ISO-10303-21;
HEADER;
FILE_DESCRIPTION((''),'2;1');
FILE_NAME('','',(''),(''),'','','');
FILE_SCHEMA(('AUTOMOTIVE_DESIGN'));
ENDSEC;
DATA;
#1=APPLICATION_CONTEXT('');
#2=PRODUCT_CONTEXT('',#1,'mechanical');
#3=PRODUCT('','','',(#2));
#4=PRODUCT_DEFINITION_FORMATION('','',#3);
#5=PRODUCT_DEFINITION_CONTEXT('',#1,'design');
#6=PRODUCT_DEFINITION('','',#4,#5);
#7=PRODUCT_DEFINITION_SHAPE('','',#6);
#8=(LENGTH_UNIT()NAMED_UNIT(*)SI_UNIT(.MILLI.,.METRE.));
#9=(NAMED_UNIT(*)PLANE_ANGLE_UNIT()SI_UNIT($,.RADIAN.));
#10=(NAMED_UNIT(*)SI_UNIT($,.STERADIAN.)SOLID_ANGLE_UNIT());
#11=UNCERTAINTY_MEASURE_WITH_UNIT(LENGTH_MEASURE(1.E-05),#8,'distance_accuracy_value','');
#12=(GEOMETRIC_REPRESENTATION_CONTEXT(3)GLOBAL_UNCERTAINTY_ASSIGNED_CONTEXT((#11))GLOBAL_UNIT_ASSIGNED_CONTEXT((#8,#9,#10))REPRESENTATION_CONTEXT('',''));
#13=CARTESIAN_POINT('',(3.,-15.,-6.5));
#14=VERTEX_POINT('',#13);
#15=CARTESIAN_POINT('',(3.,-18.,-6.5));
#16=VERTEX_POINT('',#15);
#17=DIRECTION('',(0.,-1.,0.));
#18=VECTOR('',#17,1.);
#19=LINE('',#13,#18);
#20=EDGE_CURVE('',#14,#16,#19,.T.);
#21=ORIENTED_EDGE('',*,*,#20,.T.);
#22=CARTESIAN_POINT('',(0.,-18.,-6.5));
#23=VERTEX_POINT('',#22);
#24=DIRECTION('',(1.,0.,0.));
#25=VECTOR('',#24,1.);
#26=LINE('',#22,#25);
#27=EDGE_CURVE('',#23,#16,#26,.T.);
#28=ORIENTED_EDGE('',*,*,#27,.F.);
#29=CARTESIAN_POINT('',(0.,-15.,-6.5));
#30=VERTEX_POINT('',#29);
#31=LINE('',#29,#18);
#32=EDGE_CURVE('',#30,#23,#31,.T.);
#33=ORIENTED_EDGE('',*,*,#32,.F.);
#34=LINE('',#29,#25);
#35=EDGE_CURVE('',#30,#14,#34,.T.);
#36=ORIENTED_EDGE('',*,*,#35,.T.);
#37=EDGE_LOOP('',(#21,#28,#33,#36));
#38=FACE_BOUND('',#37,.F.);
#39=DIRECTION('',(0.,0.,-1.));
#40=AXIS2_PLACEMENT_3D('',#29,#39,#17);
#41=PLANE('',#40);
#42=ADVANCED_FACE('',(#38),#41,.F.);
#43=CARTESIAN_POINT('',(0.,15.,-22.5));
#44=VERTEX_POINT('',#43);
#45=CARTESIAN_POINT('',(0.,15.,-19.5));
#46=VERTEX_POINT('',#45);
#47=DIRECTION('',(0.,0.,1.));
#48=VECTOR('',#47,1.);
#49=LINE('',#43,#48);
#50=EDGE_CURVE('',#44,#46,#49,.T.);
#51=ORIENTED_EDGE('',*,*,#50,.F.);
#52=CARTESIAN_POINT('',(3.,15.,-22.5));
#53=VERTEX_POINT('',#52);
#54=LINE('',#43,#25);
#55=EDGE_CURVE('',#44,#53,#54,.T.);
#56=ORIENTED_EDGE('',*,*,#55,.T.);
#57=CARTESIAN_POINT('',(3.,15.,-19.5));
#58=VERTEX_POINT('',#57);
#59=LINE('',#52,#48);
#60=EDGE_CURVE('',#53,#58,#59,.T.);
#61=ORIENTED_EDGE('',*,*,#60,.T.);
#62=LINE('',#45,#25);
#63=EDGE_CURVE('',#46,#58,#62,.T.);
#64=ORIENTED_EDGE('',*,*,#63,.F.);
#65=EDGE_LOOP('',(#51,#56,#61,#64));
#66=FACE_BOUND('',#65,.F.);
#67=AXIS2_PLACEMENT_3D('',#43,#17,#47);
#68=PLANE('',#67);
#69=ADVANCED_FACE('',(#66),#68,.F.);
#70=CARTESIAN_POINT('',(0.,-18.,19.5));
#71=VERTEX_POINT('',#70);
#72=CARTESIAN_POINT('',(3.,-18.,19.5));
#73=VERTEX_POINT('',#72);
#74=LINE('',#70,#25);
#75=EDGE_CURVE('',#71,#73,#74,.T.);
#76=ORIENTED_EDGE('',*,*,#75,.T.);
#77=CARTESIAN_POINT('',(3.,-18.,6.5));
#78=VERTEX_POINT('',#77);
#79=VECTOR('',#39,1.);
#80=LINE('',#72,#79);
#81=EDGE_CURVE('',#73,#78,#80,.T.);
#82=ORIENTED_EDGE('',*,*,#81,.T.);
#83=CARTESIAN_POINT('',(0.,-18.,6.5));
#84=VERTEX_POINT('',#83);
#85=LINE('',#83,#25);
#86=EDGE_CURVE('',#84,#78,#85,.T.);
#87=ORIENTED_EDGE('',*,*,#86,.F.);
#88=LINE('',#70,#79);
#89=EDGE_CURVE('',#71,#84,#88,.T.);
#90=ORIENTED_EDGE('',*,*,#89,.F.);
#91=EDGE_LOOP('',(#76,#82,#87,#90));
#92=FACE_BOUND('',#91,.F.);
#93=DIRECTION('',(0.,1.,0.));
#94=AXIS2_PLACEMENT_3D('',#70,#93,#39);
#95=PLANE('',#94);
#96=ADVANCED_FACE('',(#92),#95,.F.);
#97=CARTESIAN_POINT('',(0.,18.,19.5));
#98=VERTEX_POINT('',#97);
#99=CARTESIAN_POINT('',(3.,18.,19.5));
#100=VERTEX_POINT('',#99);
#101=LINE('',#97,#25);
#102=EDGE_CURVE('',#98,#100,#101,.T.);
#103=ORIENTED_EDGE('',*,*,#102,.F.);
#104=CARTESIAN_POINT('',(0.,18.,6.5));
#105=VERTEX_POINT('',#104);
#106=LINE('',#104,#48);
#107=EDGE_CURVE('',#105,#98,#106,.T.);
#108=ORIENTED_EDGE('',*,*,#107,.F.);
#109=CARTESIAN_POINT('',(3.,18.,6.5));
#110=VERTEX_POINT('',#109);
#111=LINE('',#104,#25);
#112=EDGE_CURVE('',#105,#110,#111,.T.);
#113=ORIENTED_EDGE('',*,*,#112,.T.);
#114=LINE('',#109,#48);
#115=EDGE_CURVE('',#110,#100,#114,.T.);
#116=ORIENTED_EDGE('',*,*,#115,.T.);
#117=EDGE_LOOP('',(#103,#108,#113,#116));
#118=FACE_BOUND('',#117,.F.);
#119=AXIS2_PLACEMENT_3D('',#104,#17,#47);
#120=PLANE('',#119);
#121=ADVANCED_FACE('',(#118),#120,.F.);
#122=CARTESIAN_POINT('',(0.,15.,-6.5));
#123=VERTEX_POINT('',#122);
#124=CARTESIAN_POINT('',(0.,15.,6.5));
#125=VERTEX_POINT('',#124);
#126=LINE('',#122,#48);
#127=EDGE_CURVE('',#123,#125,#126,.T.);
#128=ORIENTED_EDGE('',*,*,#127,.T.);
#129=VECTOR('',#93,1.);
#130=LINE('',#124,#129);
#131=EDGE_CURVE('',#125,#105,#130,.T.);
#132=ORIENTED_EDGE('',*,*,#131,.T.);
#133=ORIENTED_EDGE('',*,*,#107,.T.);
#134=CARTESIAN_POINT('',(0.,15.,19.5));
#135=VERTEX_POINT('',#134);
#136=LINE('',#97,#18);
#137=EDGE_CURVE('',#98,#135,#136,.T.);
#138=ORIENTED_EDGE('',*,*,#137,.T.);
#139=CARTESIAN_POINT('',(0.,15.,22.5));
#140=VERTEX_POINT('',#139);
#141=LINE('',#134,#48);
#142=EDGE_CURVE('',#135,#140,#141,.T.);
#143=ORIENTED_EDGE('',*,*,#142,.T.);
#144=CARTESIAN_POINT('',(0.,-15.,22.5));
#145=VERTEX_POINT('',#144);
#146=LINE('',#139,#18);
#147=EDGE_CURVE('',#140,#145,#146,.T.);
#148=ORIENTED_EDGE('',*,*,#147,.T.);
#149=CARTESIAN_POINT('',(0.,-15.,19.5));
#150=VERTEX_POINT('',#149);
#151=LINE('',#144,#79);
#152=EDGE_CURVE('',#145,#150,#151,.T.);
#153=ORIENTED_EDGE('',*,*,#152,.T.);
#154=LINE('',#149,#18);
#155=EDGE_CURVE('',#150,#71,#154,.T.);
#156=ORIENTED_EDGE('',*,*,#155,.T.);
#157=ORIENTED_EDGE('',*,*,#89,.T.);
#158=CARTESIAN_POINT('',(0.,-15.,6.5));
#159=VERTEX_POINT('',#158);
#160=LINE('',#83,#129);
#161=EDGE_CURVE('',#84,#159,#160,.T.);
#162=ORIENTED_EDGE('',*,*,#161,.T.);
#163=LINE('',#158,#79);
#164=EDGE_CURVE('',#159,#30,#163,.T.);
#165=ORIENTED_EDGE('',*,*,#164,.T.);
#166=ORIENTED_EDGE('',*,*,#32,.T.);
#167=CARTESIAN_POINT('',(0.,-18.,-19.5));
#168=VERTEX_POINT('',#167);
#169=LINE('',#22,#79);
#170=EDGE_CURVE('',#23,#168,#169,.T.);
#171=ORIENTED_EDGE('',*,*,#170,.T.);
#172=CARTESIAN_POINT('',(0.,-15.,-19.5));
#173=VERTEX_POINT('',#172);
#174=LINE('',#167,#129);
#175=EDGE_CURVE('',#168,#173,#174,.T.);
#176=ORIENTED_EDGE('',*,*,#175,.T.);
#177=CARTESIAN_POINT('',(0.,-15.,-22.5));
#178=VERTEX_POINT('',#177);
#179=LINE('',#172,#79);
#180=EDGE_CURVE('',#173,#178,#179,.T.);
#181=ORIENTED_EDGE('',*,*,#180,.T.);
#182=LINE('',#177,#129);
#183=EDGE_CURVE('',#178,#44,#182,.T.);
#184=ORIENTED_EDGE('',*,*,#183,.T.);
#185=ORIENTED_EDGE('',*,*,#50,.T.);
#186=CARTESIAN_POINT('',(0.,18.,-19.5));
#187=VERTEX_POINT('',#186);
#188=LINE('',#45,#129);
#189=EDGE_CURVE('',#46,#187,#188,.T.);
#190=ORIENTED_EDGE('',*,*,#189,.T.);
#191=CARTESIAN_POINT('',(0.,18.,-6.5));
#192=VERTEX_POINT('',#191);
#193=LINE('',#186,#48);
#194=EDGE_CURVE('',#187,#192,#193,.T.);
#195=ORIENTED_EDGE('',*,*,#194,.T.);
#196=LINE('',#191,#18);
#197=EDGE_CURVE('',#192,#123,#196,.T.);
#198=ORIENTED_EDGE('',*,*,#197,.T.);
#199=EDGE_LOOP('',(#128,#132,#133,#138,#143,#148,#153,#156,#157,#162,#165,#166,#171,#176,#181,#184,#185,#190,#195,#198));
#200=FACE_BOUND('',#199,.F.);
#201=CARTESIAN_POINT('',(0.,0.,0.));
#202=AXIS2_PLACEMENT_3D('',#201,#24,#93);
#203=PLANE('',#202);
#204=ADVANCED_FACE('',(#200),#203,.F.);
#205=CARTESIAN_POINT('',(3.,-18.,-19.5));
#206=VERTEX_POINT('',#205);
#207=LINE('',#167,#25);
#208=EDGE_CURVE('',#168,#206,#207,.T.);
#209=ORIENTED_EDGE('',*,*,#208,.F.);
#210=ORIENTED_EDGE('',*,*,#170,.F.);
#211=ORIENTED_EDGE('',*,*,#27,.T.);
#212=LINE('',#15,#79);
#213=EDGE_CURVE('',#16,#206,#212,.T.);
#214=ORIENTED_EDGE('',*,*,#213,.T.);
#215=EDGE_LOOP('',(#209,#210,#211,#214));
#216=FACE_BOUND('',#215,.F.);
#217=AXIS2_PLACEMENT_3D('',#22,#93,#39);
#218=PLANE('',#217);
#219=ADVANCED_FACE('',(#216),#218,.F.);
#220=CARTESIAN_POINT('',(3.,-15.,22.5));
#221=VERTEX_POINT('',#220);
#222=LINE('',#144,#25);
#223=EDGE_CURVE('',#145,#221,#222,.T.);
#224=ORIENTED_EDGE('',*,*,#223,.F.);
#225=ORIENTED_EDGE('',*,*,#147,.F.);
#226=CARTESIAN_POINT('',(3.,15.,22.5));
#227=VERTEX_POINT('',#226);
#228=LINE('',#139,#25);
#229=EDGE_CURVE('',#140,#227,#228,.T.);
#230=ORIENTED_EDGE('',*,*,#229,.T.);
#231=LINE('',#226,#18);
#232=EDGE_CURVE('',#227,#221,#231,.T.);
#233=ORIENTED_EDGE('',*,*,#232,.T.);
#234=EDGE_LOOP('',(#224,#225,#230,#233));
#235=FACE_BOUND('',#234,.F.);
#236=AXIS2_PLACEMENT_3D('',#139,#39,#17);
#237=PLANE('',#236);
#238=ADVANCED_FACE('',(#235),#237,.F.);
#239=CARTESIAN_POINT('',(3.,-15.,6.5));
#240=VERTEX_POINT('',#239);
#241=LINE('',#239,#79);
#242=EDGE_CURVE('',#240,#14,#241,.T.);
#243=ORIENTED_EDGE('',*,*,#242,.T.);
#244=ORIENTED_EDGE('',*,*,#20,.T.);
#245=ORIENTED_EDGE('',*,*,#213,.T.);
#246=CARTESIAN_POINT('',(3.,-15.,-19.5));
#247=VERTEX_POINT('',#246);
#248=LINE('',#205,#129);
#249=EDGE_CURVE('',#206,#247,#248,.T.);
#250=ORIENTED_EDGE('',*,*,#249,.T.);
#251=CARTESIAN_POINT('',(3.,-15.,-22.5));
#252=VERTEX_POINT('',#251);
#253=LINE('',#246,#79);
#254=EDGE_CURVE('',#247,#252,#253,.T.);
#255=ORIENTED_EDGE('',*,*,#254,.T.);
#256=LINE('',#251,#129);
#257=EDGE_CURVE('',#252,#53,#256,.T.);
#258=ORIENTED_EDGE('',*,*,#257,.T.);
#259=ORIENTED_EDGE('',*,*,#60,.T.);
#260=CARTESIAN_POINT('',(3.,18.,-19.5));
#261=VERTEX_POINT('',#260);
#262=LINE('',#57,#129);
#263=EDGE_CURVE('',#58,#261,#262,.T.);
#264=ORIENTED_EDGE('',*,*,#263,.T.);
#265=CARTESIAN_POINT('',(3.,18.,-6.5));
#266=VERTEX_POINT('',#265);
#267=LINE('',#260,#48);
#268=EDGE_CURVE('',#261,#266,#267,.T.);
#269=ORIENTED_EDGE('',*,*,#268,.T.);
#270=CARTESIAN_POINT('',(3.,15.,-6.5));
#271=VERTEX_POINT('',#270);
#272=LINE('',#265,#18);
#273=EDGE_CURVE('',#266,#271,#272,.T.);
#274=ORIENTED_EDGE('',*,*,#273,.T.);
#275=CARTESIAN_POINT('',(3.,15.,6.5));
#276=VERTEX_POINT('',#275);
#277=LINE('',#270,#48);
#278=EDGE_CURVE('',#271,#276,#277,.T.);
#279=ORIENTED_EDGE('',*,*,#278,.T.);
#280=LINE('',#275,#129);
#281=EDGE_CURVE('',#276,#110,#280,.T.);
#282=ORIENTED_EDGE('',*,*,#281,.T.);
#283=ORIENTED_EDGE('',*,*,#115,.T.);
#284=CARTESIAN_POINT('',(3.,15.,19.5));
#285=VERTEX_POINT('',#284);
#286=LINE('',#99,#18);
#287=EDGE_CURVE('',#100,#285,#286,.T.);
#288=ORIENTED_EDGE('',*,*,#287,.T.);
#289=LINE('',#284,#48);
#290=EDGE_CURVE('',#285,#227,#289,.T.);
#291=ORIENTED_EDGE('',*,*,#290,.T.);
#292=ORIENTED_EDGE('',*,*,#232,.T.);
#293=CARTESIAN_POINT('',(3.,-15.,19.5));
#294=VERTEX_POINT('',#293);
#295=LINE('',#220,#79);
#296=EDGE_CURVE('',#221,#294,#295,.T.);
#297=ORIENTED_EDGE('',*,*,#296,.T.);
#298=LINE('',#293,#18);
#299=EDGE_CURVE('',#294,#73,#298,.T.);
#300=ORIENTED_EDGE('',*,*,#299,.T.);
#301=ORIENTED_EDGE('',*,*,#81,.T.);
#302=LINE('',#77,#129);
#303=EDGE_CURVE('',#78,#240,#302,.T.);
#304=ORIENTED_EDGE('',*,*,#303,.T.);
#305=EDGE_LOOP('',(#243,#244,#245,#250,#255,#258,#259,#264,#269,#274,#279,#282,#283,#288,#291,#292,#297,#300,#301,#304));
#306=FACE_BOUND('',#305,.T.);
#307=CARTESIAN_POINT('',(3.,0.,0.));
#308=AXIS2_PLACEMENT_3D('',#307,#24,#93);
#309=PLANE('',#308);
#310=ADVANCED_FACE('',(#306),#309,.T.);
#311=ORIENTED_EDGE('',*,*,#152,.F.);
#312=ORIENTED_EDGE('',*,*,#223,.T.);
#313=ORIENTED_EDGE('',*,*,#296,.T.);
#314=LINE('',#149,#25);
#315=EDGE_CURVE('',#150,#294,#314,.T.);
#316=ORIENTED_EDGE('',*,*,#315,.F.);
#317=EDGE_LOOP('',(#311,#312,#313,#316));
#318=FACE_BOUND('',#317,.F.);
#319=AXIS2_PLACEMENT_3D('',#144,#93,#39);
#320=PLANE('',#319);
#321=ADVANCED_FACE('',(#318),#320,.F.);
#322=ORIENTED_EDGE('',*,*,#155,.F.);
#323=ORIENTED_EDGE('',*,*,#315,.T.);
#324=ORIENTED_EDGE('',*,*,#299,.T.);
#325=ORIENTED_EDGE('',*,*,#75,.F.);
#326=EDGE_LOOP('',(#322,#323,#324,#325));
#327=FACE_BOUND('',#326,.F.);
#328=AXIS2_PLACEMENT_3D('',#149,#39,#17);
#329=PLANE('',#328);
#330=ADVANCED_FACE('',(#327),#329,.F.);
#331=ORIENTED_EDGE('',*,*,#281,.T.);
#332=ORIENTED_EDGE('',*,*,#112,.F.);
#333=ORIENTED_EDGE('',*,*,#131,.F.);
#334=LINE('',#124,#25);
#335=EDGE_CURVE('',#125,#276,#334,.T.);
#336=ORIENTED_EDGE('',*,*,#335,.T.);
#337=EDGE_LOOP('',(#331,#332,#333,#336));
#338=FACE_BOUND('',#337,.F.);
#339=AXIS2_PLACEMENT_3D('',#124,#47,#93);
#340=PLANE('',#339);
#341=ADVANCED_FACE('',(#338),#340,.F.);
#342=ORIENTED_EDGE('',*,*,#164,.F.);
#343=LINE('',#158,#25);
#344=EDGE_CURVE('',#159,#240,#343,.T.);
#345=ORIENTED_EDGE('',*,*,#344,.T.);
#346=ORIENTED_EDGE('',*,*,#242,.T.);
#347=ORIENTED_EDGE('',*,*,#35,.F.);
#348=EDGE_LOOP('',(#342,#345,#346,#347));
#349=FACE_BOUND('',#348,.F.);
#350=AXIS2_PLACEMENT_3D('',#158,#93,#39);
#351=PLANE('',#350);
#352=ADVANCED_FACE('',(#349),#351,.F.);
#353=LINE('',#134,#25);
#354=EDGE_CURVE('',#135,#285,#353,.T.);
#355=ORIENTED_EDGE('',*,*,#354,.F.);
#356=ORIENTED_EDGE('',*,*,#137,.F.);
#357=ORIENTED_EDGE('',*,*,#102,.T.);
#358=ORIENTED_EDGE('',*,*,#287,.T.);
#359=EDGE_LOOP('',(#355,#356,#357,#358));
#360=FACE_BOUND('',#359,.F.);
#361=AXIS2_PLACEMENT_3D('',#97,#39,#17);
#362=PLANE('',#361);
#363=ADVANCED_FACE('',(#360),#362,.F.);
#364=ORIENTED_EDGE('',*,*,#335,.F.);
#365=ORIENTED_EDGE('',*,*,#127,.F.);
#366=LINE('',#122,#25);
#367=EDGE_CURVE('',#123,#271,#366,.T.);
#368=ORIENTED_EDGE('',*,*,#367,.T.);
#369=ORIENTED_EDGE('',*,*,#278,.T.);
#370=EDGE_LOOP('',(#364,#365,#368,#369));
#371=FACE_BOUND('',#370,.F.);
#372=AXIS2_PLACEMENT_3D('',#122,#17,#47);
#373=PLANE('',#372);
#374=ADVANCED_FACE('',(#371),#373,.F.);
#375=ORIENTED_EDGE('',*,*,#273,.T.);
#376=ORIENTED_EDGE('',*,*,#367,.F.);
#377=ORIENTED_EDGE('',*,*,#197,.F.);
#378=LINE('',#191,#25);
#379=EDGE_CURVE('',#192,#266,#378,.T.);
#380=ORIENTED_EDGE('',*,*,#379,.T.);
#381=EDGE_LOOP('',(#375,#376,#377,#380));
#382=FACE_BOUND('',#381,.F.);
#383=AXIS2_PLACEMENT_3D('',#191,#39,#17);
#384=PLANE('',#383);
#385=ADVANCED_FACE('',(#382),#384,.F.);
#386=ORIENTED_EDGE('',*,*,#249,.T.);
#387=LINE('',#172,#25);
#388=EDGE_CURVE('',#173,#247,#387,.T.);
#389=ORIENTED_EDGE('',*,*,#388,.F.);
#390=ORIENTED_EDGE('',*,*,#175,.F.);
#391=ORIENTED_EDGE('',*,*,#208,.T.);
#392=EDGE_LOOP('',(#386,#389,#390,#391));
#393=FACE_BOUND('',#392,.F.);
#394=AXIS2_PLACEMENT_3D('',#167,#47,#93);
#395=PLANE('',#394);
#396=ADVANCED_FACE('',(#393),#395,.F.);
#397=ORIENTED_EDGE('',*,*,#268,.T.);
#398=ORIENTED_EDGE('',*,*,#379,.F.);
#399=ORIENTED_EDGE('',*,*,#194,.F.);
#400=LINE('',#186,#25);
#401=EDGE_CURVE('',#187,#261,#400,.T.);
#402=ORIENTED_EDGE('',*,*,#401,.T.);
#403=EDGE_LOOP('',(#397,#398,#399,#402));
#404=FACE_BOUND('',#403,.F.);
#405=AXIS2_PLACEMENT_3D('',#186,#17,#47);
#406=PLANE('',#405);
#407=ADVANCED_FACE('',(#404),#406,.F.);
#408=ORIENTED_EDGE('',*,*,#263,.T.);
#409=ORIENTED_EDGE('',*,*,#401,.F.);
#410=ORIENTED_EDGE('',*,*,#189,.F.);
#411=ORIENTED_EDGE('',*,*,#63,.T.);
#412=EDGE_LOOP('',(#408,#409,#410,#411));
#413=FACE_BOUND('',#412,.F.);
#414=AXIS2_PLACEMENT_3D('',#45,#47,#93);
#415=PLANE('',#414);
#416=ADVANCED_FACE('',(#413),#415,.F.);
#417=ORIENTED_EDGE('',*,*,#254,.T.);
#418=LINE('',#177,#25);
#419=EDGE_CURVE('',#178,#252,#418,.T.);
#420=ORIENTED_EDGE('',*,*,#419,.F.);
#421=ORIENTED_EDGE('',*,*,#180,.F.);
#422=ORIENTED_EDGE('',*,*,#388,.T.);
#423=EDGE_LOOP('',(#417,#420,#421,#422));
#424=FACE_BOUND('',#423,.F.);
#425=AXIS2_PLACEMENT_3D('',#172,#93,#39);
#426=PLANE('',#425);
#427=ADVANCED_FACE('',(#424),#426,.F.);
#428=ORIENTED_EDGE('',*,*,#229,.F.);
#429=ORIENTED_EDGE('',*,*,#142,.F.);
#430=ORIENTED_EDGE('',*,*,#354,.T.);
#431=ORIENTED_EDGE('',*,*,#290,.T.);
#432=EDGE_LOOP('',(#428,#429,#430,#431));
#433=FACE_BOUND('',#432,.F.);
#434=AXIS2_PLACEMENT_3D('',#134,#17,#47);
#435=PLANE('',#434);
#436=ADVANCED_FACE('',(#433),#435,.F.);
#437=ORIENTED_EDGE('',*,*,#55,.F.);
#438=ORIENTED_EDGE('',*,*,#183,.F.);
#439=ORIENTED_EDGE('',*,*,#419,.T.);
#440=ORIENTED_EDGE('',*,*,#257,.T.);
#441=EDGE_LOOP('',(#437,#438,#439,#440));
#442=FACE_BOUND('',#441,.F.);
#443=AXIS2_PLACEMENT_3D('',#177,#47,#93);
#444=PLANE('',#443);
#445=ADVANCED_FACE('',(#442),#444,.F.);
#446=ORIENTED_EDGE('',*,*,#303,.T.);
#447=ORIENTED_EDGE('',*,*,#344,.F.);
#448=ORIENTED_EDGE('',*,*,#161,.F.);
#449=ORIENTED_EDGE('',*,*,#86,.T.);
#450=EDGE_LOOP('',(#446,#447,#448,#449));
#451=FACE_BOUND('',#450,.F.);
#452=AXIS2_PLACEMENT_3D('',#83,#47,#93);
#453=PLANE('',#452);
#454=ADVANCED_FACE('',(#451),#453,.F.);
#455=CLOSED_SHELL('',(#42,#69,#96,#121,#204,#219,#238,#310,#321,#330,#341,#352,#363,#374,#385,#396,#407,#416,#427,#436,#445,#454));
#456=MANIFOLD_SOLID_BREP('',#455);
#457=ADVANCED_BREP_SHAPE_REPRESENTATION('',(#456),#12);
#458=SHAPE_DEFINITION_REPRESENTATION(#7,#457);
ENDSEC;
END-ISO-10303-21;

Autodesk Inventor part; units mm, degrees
ref_plane "YZ Plane" through (0, 0, 0) normal (1, 0, 0) x (0, 1, 0)
ref_plane "XZ Plane" through (0, 0, 0) normal (0, 1, 0) x (-1, 0, 0)
ref_plane "XY Plane" through (0, 0, 0) normal (0, 0, 1) x (1, 0, 0)
sketch "Boceto1" plane through (0, 0, 0) normal (1, 0, 0) x (0, 1, 0)
  line L0 (15, -6.5) -> (15, 6.5)
  line L1 (18, -6.5) -> (15, -6.5)
  line L2 (18, -19.5) -> (18, -6.5)
  line L3 (15, -19.5) -> (18, -19.5)
  line L4 (15, -22.5) -> (15, -19.5)
  line L5 (-15, -22.5) -> (15, -22.5)
  line L6 (-15, -19.5) -> (-15, -22.5)
  line L7 (-18, -19.5) -> (-15, -19.5)
  line L8 (-18, -6.5) -> (-18, -19.5)
  line L9 (-15, -6.5) -> (-18, -6.5)
  line L10 (-15, 6.5) -> (-15, -6.5)
  line L11 (-18, 6.5) -> (-15, 6.5)
  line L12 (-18, 19.5) -> (-18, 6.5)
  line L13 (-15, 19.5) -> (-18, 19.5)
  line L14 (-15, 22.5) -> (-15, 19.5)
  line L15 (15, 22.5) -> (-15, 22.5)
  line L16 (15, 19.5) -> (15, 22.5)
  line L17 (18, 19.5) -> (15, 19.5)
  line L18 (18, 6.5) -> (18, 19.5)
  line L19 (15, 6.5) -> (18, 6.5)
  point P0 (0, 0)
extrude "Extrusión1" add sketch "Boceto1" along normal blind 3
properties part number "Case_Wall2" material "MDF Tablero de fibras de densidad media"
